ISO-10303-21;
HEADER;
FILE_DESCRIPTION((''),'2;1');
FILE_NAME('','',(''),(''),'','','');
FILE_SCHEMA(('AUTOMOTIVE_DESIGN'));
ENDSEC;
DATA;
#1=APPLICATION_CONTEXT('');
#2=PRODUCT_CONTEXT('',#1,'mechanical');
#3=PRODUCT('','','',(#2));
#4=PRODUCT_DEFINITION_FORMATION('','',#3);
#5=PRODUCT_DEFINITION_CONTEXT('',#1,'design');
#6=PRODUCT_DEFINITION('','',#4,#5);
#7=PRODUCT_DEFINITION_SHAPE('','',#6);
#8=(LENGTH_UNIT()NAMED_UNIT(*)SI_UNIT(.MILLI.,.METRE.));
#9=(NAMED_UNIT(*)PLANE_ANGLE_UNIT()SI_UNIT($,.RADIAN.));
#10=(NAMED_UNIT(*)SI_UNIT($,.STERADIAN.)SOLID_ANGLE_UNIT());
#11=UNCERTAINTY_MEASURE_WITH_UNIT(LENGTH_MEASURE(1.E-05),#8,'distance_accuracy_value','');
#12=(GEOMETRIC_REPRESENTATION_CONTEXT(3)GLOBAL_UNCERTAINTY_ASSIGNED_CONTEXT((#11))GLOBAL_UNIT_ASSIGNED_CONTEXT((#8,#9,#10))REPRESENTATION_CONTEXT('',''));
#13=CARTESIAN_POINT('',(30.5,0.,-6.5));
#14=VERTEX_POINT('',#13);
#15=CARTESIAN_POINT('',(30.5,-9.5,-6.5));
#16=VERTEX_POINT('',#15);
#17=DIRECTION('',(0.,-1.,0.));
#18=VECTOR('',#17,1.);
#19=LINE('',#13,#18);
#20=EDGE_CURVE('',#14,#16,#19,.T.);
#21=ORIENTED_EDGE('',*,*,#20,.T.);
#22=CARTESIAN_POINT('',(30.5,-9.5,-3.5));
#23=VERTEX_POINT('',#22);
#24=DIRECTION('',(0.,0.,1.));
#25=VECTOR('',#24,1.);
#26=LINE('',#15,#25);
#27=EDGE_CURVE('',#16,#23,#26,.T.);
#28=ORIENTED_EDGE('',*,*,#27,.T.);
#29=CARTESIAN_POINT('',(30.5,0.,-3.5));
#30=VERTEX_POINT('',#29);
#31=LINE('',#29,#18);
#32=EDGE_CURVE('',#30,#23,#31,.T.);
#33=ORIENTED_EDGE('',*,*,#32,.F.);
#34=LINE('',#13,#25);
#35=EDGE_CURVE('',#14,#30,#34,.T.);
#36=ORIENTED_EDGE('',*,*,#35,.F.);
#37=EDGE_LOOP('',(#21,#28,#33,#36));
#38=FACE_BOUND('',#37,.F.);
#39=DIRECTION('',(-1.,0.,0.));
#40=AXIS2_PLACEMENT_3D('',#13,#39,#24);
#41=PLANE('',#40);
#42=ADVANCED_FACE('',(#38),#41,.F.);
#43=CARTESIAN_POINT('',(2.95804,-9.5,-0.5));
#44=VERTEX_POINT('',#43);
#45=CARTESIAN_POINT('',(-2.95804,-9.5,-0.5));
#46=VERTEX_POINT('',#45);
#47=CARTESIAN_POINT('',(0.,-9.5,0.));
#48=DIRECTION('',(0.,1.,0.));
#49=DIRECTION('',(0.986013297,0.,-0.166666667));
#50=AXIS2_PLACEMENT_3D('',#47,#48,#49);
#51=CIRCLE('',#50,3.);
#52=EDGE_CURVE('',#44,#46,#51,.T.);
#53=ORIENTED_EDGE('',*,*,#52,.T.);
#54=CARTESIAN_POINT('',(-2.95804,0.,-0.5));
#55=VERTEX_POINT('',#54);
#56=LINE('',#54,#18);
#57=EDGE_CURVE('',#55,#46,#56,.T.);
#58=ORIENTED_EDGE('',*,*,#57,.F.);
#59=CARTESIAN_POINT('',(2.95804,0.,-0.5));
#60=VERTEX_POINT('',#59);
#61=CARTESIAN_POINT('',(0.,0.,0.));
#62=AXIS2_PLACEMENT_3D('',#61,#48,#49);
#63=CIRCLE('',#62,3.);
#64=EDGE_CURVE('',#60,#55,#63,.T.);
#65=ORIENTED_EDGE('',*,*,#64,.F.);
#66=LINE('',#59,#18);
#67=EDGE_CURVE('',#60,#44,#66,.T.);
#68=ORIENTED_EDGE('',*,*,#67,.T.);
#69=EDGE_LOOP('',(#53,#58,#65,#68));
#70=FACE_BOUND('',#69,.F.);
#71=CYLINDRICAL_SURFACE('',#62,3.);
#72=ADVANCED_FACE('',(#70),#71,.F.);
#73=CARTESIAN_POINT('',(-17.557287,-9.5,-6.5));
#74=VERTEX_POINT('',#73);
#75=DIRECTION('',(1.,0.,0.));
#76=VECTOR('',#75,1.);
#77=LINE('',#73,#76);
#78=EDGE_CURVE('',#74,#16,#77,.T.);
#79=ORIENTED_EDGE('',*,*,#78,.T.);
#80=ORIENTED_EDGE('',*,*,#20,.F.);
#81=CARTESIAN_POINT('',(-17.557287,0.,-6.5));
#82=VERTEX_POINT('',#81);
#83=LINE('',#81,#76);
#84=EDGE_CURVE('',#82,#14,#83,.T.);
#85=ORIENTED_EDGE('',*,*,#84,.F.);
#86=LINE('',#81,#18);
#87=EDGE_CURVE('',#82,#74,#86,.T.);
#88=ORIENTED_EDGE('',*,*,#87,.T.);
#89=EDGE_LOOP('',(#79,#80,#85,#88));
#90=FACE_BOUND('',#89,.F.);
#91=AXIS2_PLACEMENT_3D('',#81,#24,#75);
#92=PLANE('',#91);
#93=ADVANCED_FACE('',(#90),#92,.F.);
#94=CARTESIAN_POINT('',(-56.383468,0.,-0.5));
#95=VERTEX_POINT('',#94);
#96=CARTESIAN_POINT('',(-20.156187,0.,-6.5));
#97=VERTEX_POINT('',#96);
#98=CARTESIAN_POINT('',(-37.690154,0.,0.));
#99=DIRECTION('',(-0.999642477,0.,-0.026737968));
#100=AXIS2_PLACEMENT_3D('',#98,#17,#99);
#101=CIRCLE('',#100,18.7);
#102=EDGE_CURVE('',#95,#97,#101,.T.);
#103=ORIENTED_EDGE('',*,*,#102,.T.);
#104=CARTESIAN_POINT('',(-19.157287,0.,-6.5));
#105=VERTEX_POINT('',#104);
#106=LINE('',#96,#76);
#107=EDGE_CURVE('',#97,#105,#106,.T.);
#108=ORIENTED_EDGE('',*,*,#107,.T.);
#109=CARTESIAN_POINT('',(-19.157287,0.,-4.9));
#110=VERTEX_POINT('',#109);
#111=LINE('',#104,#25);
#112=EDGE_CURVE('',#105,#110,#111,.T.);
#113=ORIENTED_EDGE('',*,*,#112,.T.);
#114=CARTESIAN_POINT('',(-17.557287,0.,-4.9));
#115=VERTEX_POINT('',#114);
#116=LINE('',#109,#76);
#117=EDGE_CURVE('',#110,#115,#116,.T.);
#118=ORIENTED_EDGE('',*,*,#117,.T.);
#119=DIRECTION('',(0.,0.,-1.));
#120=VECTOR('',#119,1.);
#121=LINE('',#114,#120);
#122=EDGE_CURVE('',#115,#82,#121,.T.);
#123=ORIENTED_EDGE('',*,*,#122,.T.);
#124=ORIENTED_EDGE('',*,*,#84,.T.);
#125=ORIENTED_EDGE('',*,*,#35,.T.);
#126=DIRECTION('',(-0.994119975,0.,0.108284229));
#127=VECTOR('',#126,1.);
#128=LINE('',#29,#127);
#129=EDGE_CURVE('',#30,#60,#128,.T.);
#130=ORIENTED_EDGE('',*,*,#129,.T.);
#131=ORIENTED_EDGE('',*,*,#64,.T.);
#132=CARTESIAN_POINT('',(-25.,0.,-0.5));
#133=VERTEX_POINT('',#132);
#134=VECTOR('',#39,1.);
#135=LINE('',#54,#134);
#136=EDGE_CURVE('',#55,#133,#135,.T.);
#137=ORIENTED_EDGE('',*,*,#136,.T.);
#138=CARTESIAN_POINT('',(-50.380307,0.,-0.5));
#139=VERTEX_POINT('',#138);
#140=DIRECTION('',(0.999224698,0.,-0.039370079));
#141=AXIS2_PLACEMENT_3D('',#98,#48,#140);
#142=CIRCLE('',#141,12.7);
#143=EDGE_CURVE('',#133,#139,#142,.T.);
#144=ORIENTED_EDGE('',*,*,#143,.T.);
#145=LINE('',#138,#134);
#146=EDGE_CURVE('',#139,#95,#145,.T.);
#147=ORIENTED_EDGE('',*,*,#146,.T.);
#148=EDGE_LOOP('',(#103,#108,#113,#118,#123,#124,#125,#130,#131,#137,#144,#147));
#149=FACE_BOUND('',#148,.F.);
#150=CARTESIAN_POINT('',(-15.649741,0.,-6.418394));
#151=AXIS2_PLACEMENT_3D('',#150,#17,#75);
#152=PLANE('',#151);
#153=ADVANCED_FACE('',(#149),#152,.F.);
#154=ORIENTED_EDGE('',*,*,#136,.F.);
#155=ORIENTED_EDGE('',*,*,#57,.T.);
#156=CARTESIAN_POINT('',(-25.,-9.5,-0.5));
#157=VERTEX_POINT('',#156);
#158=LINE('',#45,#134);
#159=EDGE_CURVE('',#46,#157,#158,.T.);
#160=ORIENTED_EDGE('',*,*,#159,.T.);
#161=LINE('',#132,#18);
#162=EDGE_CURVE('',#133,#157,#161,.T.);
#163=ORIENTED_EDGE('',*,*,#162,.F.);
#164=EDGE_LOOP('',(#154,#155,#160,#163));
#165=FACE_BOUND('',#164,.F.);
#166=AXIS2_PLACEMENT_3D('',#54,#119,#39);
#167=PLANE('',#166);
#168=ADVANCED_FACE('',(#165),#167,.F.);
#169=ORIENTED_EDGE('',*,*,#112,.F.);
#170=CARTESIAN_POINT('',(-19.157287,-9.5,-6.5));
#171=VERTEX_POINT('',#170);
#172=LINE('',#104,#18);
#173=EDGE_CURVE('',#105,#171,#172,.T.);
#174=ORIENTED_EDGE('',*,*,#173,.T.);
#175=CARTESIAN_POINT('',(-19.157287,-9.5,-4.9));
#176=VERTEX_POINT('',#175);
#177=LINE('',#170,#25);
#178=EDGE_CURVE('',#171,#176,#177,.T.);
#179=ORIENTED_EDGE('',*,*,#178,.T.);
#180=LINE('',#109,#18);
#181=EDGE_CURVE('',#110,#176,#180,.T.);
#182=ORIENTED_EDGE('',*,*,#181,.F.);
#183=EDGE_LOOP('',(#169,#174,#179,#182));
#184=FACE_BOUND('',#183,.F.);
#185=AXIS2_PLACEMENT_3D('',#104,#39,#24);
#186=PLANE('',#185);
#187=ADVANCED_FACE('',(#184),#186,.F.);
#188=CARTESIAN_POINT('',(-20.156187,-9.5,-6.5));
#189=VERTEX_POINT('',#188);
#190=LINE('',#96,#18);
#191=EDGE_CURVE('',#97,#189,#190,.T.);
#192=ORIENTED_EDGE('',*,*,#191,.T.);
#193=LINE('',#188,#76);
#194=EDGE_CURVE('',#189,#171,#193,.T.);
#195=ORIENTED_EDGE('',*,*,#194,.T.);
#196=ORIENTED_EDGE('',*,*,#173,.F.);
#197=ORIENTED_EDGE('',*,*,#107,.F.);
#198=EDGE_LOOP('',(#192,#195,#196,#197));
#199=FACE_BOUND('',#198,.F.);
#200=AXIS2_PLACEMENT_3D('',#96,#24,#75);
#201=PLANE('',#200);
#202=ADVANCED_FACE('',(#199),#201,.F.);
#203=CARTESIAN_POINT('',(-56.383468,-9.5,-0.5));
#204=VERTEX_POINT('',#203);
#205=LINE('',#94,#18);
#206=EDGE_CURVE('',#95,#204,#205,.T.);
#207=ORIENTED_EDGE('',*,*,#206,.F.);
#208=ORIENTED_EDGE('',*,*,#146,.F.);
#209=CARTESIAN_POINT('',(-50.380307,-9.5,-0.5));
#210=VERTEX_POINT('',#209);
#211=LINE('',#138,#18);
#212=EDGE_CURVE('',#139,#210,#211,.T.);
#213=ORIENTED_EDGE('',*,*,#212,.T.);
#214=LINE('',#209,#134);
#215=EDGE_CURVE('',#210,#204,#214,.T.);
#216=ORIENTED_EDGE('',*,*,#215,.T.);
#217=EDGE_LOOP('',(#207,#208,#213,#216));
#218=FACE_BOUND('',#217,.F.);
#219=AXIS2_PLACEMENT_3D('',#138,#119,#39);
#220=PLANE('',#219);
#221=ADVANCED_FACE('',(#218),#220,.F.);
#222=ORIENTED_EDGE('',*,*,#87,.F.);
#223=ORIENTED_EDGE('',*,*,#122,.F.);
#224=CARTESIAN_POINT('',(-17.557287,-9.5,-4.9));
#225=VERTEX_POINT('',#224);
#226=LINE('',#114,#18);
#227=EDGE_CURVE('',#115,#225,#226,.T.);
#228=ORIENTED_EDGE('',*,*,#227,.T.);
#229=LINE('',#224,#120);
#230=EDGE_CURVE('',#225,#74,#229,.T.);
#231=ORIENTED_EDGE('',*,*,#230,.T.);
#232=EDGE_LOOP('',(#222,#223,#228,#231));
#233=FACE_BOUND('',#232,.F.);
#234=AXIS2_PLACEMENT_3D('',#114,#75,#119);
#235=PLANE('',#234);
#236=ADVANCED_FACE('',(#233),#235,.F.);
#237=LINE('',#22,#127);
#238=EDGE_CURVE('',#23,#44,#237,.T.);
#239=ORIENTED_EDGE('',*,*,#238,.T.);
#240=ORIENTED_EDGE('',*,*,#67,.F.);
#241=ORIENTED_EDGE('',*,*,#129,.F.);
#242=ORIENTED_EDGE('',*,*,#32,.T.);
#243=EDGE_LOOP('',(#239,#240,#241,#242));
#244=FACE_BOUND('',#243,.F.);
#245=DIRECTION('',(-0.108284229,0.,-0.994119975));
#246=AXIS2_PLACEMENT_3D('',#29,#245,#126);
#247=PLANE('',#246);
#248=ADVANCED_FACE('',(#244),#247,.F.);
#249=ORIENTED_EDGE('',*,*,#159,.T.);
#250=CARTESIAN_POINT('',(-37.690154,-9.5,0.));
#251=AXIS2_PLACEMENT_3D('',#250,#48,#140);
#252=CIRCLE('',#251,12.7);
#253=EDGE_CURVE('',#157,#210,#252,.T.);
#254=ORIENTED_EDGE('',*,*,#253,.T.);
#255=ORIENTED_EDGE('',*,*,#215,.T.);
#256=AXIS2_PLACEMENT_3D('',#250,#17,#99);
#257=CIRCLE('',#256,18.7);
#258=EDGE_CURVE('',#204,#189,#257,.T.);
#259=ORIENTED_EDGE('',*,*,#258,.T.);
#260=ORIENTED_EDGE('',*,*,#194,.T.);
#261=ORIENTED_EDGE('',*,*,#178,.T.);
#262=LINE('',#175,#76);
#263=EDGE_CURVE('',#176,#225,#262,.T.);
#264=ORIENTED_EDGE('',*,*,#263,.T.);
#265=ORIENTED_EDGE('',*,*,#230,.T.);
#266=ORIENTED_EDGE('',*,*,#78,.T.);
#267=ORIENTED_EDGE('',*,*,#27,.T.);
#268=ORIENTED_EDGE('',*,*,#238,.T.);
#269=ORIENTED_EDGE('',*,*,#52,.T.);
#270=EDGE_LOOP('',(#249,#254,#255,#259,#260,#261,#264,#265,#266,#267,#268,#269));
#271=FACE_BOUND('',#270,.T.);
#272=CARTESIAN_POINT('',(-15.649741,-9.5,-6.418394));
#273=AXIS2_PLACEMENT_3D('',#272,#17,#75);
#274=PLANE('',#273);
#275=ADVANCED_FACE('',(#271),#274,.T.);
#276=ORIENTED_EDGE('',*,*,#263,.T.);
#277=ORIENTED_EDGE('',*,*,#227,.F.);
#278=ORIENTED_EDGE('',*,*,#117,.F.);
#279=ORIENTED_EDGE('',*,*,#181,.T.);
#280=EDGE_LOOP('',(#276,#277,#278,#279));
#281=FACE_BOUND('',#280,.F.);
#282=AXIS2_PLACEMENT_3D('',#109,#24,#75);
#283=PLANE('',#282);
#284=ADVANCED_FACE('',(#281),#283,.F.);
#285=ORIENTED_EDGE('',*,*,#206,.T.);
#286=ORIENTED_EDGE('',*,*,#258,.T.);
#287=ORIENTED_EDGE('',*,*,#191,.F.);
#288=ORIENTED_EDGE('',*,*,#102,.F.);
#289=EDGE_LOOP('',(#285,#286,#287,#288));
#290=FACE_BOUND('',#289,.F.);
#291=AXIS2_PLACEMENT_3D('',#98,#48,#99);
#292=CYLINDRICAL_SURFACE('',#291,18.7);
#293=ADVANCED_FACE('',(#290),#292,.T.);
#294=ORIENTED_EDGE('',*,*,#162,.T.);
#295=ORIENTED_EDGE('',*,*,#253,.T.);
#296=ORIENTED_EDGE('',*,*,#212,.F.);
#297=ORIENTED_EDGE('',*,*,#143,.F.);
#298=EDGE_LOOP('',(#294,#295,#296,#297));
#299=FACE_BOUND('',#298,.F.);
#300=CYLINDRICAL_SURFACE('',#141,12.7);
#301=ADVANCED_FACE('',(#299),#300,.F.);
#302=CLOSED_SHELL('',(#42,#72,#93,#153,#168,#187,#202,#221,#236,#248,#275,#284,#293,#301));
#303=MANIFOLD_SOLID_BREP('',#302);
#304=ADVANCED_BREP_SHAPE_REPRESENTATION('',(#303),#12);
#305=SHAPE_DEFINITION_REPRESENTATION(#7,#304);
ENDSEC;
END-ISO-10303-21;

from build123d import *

# Parameters (mm, degrees)
F2_DEPTH = 9.5


with BuildPart() as f2:
    # F1 (on Front) → F2 (new body)
    with BuildSketch(Plane.XZ):
        with BuildLine():
            Line((-17.5572873813, -6.5), (30.5, -6.5))
            Line((30.5, -6.5), (30.5, -3.5))
            Line((30.5, -3.5), (2.9580398915, -0.5))
            ThreePointArc((2.9580398915, -0.5), (0, -3), (-2.9580398915, -0.5))
            Line((-2.9580398915, -0.5), (-17.160677935, -0.5))
            Line((-17.160677935, -0.5), (-17.1837798887, -0.5))
            Line((-17.1837798887, -0.5), (-25, -0.5))
            ThreePointArc((-25, -0.5), (-37.6901536634, -12.7), (-50.3803073267, -0.5))
            Line((-50.3803073267, -0.5), (-56.3834679762, -0.5))
            ThreePointArc((-56.3834679762, -0.5), (-40.745644054, -18.4486850066), (-20.1561866279, -6.5))
            Line((-20.1561866279, -6.5), (-19.1572873813, -6.5))
            Line((-19.1572873813, -6.5), (-19.1572873813, -4.9))
            Line((-19.1572873813, -4.9), (-17.5572873813, -4.9))
            Line((-17.5572873813, -4.9), (-17.5572873813, -6.5))
        make_face()
    extrude(amount=F2_DEPTH)


solid = f2.part
